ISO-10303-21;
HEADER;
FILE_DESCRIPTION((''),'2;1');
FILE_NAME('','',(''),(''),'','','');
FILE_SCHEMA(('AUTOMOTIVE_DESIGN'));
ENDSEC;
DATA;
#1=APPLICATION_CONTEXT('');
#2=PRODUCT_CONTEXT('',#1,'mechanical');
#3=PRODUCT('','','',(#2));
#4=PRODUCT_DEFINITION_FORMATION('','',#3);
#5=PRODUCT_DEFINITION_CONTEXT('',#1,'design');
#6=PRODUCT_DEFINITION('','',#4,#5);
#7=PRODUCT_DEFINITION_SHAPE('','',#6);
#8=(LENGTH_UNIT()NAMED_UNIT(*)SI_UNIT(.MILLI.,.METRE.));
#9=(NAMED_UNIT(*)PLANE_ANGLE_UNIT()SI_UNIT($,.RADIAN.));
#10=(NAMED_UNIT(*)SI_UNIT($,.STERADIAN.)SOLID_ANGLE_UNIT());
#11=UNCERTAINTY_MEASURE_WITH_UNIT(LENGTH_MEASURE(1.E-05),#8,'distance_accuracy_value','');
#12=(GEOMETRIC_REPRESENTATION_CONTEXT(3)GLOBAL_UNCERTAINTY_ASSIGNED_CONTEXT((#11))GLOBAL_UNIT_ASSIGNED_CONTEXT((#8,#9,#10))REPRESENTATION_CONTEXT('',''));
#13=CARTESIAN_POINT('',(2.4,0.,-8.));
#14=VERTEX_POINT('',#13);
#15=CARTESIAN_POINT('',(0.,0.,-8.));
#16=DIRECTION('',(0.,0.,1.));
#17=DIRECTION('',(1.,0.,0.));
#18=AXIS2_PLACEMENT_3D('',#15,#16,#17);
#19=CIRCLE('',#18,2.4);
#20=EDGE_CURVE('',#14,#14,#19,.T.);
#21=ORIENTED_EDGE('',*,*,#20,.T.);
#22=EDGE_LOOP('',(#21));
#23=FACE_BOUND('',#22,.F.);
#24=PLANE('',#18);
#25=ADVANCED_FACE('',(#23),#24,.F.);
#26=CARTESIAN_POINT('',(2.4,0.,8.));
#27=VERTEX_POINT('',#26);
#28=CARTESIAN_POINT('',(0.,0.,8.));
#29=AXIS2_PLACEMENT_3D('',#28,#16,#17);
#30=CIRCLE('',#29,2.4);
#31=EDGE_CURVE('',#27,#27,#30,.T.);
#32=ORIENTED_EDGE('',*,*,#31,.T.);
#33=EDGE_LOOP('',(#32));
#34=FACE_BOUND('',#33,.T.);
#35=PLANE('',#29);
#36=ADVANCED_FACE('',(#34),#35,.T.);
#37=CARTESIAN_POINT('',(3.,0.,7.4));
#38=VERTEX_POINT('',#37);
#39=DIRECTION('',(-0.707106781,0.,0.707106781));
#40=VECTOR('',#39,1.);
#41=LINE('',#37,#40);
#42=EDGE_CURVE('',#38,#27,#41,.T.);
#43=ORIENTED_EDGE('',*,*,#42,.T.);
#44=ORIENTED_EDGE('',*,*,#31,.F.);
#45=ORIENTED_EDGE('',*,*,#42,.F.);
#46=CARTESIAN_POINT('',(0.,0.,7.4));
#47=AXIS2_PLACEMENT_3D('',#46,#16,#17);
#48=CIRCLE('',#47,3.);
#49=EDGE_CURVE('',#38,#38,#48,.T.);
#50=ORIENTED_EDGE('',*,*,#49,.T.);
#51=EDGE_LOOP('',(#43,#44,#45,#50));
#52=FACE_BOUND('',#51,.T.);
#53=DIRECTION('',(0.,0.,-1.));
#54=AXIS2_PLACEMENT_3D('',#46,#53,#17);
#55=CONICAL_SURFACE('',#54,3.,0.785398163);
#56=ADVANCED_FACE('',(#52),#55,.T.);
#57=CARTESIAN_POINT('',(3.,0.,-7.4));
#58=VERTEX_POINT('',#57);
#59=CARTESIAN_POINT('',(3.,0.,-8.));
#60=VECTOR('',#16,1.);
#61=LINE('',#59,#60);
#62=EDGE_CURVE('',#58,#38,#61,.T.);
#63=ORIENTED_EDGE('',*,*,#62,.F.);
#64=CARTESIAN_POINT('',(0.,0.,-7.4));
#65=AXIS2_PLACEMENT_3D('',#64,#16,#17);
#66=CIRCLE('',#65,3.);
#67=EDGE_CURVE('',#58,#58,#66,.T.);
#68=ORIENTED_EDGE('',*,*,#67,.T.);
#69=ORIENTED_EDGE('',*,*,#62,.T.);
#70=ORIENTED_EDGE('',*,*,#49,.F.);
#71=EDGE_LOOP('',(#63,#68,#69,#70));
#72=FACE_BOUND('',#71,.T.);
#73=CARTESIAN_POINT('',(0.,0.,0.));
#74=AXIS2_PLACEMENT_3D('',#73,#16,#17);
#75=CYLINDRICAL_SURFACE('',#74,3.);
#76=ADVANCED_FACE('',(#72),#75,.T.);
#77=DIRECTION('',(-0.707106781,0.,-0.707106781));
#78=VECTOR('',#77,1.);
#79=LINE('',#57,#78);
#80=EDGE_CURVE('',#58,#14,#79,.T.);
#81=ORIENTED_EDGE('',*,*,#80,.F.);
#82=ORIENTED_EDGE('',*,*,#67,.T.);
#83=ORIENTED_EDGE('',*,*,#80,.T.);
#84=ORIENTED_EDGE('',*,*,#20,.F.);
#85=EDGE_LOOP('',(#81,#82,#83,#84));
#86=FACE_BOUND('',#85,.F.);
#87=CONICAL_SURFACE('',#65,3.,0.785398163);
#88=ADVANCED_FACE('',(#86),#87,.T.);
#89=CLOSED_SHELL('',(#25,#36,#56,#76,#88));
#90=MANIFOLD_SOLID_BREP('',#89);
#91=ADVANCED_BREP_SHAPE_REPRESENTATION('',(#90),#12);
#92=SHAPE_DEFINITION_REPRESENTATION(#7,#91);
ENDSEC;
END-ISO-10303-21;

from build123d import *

# Parameters (mm, degrees)
F0_R     = 3
F1_DEPTH = 8
F2_SIZE  = 0.6


with BuildPart() as f1:
    # F0 (on Top) → F1 (new body, symmetric)
    with BuildSketch(Plane.XY):
        Circle(F0_R)
    extrude(amount=F1_DEPTH, both=True)

    # F2
    f2_edges = [f1.edges().sort_by_distance(p)[0] for p in [
        (-3, 0, 8),
        (-3, 0, -8),
    ]]
    chamfer(f2_edges, length=F2_SIZE)


solid = f1.part
